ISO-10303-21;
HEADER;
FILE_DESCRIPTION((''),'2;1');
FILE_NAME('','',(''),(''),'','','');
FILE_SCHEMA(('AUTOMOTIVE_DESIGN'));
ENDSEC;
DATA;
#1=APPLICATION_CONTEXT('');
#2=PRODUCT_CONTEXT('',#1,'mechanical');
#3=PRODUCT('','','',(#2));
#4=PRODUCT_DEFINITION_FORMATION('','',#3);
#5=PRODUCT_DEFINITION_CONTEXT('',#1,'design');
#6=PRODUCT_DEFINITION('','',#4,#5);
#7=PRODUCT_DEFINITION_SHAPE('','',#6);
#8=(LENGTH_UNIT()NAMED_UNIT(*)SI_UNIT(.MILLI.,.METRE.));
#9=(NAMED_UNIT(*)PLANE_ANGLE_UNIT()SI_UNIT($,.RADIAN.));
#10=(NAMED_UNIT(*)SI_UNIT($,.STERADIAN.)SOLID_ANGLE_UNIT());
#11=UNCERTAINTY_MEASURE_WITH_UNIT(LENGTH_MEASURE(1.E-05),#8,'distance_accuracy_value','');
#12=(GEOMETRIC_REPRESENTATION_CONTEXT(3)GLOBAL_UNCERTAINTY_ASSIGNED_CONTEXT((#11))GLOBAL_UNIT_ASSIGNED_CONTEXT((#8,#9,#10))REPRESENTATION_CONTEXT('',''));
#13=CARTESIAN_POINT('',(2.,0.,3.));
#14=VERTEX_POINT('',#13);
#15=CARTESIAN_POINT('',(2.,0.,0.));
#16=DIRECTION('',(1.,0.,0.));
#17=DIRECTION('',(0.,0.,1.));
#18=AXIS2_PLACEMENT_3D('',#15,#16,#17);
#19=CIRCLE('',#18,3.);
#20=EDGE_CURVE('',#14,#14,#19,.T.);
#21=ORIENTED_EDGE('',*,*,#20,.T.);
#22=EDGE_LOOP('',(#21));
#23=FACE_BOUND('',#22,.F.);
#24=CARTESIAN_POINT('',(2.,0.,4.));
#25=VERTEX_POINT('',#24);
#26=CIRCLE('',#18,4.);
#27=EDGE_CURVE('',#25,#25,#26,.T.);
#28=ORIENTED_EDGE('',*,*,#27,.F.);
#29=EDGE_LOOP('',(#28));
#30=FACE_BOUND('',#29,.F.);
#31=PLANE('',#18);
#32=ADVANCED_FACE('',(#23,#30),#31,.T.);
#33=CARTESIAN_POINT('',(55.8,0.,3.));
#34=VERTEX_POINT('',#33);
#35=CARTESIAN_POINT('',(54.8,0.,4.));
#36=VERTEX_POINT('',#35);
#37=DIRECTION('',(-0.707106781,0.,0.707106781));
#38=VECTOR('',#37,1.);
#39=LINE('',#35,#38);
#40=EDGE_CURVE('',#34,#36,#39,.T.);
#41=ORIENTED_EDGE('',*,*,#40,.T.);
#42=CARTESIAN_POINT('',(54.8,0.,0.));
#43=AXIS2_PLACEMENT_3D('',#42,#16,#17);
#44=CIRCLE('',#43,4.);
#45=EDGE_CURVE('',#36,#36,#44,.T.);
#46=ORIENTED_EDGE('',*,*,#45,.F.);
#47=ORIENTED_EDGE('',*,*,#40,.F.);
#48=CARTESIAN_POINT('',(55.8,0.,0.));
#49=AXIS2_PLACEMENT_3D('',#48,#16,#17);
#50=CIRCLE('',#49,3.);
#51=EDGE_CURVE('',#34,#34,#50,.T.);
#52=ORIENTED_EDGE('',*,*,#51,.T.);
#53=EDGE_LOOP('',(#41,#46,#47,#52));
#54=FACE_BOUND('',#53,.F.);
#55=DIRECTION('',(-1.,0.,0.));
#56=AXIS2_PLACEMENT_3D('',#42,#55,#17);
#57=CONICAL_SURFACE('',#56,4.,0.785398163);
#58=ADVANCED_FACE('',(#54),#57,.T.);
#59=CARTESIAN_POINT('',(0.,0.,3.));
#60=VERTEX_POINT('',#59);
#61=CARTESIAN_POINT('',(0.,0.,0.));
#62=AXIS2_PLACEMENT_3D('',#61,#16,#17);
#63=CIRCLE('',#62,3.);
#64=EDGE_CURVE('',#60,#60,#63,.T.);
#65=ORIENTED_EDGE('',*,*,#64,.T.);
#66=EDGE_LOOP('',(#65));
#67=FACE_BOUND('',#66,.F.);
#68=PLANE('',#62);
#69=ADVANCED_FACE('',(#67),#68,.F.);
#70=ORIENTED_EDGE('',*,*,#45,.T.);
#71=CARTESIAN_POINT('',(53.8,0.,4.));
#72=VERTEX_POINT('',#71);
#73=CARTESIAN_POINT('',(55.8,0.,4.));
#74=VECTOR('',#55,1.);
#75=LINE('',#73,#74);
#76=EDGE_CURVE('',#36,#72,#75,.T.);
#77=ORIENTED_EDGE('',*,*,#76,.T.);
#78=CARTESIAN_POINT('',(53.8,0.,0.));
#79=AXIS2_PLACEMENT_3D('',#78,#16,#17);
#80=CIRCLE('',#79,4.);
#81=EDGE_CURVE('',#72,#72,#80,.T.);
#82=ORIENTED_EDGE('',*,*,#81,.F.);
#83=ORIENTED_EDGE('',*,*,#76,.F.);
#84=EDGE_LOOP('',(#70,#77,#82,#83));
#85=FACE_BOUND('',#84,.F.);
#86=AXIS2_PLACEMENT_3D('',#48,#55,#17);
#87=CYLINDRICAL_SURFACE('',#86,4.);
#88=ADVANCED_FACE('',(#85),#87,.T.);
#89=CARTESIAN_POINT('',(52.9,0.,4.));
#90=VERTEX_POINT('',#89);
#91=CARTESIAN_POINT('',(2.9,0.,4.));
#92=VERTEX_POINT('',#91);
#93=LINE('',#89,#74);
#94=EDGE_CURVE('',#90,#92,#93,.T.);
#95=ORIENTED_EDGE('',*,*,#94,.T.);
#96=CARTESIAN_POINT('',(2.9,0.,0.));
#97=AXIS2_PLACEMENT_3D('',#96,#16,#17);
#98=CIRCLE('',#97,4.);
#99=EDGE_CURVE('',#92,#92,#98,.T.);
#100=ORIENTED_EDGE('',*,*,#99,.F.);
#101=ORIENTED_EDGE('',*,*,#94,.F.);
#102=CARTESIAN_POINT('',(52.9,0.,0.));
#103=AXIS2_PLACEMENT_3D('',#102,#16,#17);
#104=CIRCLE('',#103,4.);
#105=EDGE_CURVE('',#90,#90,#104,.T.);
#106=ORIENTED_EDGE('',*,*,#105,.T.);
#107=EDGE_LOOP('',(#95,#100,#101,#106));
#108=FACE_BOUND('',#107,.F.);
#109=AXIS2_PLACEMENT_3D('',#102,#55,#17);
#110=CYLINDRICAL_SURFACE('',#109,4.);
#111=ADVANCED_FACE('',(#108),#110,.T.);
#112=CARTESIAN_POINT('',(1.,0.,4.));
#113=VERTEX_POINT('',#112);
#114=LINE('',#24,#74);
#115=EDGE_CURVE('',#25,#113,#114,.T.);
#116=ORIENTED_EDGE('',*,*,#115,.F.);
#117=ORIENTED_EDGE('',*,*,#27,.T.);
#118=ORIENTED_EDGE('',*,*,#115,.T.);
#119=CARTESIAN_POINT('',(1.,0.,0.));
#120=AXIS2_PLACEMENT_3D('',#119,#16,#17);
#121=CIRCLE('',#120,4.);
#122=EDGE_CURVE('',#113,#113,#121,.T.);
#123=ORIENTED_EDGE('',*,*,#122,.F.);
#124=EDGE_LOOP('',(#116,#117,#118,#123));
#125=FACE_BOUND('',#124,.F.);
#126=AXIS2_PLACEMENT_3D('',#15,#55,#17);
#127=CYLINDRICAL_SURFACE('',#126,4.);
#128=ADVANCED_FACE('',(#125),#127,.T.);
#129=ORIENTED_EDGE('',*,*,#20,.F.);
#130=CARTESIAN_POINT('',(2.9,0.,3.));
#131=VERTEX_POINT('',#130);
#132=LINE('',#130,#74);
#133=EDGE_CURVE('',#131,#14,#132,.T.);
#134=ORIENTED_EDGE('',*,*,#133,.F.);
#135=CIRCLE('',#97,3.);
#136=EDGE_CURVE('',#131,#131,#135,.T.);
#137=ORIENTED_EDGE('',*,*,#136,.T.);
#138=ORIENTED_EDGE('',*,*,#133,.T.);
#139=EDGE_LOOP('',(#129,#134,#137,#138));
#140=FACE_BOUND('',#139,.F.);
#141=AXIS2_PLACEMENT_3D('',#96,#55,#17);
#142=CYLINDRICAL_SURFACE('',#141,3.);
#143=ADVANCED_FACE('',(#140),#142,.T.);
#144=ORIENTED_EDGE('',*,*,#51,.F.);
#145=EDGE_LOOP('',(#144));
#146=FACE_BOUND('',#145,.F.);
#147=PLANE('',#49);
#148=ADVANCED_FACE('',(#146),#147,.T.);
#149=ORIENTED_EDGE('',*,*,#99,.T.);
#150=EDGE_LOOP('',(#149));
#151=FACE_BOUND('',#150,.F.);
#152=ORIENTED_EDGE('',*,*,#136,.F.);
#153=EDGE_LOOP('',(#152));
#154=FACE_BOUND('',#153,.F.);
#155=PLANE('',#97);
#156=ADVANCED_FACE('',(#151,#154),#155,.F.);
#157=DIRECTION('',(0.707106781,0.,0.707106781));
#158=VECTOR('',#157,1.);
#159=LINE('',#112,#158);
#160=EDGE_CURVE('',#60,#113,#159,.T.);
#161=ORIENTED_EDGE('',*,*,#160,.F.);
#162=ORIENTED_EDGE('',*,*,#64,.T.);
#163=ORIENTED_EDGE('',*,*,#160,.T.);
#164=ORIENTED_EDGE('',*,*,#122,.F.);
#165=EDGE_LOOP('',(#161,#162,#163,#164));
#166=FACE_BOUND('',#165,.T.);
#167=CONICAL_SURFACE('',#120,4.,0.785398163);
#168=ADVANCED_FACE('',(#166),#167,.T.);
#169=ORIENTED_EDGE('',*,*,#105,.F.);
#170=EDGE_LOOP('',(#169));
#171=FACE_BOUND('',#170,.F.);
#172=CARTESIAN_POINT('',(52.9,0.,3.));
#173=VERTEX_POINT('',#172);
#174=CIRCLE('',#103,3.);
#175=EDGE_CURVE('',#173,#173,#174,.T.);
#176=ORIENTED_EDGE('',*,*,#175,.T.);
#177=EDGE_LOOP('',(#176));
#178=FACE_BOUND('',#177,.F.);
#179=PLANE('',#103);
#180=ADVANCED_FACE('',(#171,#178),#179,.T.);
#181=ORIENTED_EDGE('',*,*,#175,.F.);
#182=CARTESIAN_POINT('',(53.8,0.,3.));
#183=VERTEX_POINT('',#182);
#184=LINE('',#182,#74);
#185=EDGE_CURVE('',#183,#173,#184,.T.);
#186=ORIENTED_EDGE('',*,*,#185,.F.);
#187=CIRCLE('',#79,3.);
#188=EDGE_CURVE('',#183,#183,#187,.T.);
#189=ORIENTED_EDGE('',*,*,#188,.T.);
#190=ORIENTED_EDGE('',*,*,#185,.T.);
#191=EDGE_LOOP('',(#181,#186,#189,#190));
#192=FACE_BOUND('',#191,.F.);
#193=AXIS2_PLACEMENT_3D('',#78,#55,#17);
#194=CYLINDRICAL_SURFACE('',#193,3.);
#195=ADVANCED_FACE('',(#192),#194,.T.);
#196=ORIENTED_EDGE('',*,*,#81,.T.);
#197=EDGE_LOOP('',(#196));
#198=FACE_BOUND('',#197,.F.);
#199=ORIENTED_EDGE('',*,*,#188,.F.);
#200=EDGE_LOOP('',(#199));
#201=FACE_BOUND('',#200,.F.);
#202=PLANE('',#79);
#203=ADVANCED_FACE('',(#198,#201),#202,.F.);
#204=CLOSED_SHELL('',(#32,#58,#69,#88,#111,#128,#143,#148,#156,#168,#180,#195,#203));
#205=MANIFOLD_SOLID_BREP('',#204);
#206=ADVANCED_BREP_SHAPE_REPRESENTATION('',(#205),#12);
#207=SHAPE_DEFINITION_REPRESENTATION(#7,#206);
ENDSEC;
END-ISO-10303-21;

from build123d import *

# Parameters (mm, degrees)
F2_SIZE = 1


with BuildPart() as f1:
    # F0 (on Front) → F1 (revolve)
    with BuildSketch(Plane.XZ):
        Polygon((0, 4), (0, 0), (55.8, 0), (55.8, 4), (53.8, 4), (53.8, 3), (52.9, 3), (52.9, 4), (2.9, 4), (2.9, 3), (2, 3), (2, 4), align=None)
    revolve(axis=Axis((27.761492, 0, 0), (1, 0, 0)))

    # F2
    f2_edges = [f1.edges().sort_by_distance(p)[0] for p in [
        (55.8, 0, -4),
        (0, 0, -4),
    ]]
    chamfer(f2_edges, length=F2_SIZE)


solid = f1.part
